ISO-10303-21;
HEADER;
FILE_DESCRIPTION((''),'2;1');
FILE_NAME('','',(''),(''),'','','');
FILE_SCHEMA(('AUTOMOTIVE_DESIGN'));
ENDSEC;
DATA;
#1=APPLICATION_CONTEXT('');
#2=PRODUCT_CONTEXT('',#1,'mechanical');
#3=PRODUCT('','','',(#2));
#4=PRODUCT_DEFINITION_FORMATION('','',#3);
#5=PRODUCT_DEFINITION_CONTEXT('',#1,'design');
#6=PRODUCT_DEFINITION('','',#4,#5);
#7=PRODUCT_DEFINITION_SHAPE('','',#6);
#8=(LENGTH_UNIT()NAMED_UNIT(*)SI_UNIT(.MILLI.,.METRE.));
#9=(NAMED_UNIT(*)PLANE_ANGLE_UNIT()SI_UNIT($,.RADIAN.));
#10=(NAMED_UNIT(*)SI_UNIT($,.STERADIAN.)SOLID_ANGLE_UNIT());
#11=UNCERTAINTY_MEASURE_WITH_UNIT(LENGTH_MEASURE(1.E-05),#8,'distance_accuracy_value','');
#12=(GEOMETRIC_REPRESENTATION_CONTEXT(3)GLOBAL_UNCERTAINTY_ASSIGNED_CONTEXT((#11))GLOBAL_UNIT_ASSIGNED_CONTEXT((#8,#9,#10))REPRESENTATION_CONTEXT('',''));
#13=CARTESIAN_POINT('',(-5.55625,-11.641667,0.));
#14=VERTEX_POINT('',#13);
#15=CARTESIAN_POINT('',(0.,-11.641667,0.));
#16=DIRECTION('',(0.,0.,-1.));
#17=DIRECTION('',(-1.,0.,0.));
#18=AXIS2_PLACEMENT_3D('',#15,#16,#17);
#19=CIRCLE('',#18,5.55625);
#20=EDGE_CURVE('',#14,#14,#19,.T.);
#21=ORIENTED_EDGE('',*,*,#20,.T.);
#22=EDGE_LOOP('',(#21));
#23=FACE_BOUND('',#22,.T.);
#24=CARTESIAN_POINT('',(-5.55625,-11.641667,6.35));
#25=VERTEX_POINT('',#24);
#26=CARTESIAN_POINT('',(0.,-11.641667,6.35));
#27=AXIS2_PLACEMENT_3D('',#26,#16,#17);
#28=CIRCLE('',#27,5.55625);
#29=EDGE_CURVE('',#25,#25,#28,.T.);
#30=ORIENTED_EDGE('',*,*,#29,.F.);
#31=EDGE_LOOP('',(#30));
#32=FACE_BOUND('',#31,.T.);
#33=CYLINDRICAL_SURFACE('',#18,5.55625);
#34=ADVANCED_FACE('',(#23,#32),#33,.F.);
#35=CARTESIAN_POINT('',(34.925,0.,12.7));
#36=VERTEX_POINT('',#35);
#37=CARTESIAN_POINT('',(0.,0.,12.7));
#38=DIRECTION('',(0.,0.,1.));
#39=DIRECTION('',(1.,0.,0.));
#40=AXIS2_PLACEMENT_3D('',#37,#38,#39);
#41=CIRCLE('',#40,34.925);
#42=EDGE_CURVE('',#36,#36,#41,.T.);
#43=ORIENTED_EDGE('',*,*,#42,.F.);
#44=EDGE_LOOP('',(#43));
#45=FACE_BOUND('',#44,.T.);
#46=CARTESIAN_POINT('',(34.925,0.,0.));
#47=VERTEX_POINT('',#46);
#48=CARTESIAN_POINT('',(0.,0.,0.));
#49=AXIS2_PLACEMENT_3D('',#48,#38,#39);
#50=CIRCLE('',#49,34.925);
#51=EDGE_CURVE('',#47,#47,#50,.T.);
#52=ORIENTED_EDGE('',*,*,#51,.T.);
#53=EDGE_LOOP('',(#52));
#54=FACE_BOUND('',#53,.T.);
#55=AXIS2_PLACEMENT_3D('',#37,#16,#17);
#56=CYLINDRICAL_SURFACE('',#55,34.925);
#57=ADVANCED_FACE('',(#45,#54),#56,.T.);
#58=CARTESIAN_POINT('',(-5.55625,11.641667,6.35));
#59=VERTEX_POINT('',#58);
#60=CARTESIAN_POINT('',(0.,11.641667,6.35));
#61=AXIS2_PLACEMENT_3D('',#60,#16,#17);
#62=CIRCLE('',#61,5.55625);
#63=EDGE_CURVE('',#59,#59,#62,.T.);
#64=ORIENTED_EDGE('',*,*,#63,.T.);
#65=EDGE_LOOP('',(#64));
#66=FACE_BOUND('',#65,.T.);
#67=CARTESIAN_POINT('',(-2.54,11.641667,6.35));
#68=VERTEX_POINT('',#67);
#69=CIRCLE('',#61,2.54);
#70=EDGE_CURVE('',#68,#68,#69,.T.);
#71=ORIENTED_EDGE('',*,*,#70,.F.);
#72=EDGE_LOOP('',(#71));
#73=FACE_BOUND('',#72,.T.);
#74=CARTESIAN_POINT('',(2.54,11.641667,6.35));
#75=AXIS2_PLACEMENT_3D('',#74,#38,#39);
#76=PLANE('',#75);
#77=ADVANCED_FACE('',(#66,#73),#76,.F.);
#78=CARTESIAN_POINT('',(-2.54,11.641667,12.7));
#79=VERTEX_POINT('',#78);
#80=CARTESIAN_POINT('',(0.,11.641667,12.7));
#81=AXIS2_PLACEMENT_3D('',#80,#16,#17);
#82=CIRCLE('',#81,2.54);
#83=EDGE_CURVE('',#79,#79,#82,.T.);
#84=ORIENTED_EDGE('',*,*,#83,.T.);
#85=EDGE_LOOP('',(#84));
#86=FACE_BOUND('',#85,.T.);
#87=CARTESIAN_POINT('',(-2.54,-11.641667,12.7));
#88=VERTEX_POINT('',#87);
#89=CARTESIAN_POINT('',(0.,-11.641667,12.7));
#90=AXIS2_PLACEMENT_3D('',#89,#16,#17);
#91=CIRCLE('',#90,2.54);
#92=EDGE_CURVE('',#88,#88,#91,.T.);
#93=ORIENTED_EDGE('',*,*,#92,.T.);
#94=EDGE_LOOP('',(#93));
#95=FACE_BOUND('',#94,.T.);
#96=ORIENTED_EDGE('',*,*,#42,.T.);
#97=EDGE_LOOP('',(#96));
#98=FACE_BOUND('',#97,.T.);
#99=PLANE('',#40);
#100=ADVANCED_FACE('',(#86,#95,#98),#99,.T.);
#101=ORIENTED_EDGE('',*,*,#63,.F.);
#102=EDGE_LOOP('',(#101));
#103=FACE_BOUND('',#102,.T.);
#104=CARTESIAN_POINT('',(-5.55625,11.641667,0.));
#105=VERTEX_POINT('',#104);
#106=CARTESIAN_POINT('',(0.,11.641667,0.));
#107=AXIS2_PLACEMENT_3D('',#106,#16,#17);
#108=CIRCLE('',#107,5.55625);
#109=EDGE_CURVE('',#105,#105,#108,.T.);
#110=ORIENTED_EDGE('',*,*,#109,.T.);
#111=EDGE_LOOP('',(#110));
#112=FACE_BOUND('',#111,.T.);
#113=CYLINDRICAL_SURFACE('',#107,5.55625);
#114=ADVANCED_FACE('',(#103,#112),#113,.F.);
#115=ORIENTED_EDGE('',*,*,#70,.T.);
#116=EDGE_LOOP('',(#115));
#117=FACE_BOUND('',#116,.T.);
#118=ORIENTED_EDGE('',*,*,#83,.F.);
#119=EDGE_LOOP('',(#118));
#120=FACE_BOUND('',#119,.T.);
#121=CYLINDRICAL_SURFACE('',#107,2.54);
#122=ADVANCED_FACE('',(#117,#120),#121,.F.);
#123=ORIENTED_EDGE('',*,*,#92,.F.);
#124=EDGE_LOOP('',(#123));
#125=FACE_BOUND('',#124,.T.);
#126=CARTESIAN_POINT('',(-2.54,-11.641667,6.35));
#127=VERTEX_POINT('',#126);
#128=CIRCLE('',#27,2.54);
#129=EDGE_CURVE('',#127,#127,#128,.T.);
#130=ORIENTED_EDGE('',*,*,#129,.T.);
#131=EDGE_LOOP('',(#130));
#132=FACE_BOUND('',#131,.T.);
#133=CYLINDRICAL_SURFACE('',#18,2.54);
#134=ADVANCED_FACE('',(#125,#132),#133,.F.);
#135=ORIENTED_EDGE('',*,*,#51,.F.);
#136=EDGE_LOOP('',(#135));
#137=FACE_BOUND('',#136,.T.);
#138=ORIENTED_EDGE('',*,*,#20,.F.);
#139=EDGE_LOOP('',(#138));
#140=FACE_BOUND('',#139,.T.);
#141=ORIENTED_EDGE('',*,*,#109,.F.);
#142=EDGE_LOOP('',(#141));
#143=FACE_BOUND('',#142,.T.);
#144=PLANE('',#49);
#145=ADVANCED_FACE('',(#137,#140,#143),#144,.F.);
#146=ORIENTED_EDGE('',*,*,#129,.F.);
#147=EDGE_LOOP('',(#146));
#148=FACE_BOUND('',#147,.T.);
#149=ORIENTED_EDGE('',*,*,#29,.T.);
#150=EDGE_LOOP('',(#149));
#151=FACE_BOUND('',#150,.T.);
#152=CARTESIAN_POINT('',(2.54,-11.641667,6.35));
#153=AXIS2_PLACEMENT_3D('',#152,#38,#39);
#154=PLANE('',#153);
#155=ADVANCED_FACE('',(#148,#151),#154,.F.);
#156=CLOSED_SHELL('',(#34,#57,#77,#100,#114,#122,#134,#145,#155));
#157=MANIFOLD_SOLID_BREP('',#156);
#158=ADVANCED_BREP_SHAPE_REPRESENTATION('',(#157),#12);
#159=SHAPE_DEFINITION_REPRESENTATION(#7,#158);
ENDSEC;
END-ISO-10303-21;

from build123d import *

# Parameters (mm, degrees)
SKETCH1_R                                           = 34.925
BOSS_EXTRUDE1_DEPTH                                 = 12.7
CBORE_FOR_10_BINDING_HEAD_MACHINE_SCREW_D           = 5.08
CBORE_FOR_10_BINDING_HEAD_MACHINE_SCREW_CBORE_D     = 11.1125
CBORE_FOR_10_BINDING_HEAD_MACHINE_SCREW_CBORE_DEPTH = 6.35


with BuildPart() as part:
    # Sketch1 → Boss-Extrude1 (new body)
    with BuildSketch(Plane.XY):
        Circle(SKETCH1_R)
    extrude(amount=BOSS_EXTRUDE1_DEPTH)

    # CBORE for #10 Binding Head Machine Screw1 (through all)
    with Locations(Plane(origin=(0, 0, 0), x_dir=(1, 0, 0), z_dir=(0, 0, -1))):
        with Locations((0, -11.641666667), (0, 11.641666667)):
            CounterBoreHole(CBORE_FOR_10_BINDING_HEAD_MACHINE_SCREW_D / 2, CBORE_FOR_10_BINDING_HEAD_MACHINE_SCREW_CBORE_D / 2, CBORE_FOR_10_BINDING_HEAD_MACHINE_SCREW_CBORE_DEPTH)


solid = part.part
